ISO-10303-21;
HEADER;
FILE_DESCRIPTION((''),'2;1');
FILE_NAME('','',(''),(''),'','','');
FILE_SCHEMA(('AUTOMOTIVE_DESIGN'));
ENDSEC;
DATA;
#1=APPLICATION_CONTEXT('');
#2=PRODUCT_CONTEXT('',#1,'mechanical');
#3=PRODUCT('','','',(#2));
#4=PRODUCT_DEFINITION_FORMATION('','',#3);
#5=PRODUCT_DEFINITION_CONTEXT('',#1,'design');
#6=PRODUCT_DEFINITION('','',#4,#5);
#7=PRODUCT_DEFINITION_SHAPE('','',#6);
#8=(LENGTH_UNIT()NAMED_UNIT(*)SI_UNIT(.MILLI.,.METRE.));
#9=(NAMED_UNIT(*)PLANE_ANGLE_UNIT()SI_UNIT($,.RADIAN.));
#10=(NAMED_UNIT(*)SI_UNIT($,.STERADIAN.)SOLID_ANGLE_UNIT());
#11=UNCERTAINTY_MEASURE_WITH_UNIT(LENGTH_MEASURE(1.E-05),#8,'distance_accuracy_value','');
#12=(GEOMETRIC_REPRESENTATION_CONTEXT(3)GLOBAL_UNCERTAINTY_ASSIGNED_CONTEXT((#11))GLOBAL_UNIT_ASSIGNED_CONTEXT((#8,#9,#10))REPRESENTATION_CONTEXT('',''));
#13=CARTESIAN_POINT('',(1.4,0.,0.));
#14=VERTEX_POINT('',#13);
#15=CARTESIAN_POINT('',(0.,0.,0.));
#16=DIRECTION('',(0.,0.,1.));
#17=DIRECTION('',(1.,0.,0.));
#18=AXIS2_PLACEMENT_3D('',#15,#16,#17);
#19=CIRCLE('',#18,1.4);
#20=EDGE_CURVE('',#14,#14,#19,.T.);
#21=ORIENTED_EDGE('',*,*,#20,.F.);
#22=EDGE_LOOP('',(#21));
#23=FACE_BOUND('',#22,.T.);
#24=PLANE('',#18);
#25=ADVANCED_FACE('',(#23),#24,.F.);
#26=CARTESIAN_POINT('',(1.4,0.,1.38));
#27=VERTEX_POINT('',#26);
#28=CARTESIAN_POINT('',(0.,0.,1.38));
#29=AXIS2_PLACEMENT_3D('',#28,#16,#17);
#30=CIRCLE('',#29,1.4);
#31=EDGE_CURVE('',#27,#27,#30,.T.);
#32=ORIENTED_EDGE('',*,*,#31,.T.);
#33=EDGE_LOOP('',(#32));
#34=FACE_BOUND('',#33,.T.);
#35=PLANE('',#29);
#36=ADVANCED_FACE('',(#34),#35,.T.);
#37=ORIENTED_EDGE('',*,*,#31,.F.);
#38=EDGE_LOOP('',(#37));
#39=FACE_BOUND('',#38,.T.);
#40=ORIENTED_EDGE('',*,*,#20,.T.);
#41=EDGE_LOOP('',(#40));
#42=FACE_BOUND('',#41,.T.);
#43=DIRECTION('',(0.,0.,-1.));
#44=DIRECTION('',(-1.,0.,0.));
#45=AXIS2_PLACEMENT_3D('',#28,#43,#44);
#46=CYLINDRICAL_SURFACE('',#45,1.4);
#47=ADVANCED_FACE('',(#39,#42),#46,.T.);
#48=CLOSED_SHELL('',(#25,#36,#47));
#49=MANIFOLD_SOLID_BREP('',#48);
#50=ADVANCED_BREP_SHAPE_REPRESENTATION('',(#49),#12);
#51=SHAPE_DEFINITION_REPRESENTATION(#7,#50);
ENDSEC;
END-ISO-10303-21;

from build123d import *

# Parameters (mm, degrees)
ESQUISSE1_R        = 1.4
BOSS_EXTRU_1_DEPTH = 1.38


with BuildPart() as part:
    # Esquisse1 → Boss.-Extru.1 (new body)
    with BuildSketch(Plane.XY):
        Circle(ESQUISSE1_R)
    extrude(amount=BOSS_EXTRU_1_DEPTH)


solid = part.part
